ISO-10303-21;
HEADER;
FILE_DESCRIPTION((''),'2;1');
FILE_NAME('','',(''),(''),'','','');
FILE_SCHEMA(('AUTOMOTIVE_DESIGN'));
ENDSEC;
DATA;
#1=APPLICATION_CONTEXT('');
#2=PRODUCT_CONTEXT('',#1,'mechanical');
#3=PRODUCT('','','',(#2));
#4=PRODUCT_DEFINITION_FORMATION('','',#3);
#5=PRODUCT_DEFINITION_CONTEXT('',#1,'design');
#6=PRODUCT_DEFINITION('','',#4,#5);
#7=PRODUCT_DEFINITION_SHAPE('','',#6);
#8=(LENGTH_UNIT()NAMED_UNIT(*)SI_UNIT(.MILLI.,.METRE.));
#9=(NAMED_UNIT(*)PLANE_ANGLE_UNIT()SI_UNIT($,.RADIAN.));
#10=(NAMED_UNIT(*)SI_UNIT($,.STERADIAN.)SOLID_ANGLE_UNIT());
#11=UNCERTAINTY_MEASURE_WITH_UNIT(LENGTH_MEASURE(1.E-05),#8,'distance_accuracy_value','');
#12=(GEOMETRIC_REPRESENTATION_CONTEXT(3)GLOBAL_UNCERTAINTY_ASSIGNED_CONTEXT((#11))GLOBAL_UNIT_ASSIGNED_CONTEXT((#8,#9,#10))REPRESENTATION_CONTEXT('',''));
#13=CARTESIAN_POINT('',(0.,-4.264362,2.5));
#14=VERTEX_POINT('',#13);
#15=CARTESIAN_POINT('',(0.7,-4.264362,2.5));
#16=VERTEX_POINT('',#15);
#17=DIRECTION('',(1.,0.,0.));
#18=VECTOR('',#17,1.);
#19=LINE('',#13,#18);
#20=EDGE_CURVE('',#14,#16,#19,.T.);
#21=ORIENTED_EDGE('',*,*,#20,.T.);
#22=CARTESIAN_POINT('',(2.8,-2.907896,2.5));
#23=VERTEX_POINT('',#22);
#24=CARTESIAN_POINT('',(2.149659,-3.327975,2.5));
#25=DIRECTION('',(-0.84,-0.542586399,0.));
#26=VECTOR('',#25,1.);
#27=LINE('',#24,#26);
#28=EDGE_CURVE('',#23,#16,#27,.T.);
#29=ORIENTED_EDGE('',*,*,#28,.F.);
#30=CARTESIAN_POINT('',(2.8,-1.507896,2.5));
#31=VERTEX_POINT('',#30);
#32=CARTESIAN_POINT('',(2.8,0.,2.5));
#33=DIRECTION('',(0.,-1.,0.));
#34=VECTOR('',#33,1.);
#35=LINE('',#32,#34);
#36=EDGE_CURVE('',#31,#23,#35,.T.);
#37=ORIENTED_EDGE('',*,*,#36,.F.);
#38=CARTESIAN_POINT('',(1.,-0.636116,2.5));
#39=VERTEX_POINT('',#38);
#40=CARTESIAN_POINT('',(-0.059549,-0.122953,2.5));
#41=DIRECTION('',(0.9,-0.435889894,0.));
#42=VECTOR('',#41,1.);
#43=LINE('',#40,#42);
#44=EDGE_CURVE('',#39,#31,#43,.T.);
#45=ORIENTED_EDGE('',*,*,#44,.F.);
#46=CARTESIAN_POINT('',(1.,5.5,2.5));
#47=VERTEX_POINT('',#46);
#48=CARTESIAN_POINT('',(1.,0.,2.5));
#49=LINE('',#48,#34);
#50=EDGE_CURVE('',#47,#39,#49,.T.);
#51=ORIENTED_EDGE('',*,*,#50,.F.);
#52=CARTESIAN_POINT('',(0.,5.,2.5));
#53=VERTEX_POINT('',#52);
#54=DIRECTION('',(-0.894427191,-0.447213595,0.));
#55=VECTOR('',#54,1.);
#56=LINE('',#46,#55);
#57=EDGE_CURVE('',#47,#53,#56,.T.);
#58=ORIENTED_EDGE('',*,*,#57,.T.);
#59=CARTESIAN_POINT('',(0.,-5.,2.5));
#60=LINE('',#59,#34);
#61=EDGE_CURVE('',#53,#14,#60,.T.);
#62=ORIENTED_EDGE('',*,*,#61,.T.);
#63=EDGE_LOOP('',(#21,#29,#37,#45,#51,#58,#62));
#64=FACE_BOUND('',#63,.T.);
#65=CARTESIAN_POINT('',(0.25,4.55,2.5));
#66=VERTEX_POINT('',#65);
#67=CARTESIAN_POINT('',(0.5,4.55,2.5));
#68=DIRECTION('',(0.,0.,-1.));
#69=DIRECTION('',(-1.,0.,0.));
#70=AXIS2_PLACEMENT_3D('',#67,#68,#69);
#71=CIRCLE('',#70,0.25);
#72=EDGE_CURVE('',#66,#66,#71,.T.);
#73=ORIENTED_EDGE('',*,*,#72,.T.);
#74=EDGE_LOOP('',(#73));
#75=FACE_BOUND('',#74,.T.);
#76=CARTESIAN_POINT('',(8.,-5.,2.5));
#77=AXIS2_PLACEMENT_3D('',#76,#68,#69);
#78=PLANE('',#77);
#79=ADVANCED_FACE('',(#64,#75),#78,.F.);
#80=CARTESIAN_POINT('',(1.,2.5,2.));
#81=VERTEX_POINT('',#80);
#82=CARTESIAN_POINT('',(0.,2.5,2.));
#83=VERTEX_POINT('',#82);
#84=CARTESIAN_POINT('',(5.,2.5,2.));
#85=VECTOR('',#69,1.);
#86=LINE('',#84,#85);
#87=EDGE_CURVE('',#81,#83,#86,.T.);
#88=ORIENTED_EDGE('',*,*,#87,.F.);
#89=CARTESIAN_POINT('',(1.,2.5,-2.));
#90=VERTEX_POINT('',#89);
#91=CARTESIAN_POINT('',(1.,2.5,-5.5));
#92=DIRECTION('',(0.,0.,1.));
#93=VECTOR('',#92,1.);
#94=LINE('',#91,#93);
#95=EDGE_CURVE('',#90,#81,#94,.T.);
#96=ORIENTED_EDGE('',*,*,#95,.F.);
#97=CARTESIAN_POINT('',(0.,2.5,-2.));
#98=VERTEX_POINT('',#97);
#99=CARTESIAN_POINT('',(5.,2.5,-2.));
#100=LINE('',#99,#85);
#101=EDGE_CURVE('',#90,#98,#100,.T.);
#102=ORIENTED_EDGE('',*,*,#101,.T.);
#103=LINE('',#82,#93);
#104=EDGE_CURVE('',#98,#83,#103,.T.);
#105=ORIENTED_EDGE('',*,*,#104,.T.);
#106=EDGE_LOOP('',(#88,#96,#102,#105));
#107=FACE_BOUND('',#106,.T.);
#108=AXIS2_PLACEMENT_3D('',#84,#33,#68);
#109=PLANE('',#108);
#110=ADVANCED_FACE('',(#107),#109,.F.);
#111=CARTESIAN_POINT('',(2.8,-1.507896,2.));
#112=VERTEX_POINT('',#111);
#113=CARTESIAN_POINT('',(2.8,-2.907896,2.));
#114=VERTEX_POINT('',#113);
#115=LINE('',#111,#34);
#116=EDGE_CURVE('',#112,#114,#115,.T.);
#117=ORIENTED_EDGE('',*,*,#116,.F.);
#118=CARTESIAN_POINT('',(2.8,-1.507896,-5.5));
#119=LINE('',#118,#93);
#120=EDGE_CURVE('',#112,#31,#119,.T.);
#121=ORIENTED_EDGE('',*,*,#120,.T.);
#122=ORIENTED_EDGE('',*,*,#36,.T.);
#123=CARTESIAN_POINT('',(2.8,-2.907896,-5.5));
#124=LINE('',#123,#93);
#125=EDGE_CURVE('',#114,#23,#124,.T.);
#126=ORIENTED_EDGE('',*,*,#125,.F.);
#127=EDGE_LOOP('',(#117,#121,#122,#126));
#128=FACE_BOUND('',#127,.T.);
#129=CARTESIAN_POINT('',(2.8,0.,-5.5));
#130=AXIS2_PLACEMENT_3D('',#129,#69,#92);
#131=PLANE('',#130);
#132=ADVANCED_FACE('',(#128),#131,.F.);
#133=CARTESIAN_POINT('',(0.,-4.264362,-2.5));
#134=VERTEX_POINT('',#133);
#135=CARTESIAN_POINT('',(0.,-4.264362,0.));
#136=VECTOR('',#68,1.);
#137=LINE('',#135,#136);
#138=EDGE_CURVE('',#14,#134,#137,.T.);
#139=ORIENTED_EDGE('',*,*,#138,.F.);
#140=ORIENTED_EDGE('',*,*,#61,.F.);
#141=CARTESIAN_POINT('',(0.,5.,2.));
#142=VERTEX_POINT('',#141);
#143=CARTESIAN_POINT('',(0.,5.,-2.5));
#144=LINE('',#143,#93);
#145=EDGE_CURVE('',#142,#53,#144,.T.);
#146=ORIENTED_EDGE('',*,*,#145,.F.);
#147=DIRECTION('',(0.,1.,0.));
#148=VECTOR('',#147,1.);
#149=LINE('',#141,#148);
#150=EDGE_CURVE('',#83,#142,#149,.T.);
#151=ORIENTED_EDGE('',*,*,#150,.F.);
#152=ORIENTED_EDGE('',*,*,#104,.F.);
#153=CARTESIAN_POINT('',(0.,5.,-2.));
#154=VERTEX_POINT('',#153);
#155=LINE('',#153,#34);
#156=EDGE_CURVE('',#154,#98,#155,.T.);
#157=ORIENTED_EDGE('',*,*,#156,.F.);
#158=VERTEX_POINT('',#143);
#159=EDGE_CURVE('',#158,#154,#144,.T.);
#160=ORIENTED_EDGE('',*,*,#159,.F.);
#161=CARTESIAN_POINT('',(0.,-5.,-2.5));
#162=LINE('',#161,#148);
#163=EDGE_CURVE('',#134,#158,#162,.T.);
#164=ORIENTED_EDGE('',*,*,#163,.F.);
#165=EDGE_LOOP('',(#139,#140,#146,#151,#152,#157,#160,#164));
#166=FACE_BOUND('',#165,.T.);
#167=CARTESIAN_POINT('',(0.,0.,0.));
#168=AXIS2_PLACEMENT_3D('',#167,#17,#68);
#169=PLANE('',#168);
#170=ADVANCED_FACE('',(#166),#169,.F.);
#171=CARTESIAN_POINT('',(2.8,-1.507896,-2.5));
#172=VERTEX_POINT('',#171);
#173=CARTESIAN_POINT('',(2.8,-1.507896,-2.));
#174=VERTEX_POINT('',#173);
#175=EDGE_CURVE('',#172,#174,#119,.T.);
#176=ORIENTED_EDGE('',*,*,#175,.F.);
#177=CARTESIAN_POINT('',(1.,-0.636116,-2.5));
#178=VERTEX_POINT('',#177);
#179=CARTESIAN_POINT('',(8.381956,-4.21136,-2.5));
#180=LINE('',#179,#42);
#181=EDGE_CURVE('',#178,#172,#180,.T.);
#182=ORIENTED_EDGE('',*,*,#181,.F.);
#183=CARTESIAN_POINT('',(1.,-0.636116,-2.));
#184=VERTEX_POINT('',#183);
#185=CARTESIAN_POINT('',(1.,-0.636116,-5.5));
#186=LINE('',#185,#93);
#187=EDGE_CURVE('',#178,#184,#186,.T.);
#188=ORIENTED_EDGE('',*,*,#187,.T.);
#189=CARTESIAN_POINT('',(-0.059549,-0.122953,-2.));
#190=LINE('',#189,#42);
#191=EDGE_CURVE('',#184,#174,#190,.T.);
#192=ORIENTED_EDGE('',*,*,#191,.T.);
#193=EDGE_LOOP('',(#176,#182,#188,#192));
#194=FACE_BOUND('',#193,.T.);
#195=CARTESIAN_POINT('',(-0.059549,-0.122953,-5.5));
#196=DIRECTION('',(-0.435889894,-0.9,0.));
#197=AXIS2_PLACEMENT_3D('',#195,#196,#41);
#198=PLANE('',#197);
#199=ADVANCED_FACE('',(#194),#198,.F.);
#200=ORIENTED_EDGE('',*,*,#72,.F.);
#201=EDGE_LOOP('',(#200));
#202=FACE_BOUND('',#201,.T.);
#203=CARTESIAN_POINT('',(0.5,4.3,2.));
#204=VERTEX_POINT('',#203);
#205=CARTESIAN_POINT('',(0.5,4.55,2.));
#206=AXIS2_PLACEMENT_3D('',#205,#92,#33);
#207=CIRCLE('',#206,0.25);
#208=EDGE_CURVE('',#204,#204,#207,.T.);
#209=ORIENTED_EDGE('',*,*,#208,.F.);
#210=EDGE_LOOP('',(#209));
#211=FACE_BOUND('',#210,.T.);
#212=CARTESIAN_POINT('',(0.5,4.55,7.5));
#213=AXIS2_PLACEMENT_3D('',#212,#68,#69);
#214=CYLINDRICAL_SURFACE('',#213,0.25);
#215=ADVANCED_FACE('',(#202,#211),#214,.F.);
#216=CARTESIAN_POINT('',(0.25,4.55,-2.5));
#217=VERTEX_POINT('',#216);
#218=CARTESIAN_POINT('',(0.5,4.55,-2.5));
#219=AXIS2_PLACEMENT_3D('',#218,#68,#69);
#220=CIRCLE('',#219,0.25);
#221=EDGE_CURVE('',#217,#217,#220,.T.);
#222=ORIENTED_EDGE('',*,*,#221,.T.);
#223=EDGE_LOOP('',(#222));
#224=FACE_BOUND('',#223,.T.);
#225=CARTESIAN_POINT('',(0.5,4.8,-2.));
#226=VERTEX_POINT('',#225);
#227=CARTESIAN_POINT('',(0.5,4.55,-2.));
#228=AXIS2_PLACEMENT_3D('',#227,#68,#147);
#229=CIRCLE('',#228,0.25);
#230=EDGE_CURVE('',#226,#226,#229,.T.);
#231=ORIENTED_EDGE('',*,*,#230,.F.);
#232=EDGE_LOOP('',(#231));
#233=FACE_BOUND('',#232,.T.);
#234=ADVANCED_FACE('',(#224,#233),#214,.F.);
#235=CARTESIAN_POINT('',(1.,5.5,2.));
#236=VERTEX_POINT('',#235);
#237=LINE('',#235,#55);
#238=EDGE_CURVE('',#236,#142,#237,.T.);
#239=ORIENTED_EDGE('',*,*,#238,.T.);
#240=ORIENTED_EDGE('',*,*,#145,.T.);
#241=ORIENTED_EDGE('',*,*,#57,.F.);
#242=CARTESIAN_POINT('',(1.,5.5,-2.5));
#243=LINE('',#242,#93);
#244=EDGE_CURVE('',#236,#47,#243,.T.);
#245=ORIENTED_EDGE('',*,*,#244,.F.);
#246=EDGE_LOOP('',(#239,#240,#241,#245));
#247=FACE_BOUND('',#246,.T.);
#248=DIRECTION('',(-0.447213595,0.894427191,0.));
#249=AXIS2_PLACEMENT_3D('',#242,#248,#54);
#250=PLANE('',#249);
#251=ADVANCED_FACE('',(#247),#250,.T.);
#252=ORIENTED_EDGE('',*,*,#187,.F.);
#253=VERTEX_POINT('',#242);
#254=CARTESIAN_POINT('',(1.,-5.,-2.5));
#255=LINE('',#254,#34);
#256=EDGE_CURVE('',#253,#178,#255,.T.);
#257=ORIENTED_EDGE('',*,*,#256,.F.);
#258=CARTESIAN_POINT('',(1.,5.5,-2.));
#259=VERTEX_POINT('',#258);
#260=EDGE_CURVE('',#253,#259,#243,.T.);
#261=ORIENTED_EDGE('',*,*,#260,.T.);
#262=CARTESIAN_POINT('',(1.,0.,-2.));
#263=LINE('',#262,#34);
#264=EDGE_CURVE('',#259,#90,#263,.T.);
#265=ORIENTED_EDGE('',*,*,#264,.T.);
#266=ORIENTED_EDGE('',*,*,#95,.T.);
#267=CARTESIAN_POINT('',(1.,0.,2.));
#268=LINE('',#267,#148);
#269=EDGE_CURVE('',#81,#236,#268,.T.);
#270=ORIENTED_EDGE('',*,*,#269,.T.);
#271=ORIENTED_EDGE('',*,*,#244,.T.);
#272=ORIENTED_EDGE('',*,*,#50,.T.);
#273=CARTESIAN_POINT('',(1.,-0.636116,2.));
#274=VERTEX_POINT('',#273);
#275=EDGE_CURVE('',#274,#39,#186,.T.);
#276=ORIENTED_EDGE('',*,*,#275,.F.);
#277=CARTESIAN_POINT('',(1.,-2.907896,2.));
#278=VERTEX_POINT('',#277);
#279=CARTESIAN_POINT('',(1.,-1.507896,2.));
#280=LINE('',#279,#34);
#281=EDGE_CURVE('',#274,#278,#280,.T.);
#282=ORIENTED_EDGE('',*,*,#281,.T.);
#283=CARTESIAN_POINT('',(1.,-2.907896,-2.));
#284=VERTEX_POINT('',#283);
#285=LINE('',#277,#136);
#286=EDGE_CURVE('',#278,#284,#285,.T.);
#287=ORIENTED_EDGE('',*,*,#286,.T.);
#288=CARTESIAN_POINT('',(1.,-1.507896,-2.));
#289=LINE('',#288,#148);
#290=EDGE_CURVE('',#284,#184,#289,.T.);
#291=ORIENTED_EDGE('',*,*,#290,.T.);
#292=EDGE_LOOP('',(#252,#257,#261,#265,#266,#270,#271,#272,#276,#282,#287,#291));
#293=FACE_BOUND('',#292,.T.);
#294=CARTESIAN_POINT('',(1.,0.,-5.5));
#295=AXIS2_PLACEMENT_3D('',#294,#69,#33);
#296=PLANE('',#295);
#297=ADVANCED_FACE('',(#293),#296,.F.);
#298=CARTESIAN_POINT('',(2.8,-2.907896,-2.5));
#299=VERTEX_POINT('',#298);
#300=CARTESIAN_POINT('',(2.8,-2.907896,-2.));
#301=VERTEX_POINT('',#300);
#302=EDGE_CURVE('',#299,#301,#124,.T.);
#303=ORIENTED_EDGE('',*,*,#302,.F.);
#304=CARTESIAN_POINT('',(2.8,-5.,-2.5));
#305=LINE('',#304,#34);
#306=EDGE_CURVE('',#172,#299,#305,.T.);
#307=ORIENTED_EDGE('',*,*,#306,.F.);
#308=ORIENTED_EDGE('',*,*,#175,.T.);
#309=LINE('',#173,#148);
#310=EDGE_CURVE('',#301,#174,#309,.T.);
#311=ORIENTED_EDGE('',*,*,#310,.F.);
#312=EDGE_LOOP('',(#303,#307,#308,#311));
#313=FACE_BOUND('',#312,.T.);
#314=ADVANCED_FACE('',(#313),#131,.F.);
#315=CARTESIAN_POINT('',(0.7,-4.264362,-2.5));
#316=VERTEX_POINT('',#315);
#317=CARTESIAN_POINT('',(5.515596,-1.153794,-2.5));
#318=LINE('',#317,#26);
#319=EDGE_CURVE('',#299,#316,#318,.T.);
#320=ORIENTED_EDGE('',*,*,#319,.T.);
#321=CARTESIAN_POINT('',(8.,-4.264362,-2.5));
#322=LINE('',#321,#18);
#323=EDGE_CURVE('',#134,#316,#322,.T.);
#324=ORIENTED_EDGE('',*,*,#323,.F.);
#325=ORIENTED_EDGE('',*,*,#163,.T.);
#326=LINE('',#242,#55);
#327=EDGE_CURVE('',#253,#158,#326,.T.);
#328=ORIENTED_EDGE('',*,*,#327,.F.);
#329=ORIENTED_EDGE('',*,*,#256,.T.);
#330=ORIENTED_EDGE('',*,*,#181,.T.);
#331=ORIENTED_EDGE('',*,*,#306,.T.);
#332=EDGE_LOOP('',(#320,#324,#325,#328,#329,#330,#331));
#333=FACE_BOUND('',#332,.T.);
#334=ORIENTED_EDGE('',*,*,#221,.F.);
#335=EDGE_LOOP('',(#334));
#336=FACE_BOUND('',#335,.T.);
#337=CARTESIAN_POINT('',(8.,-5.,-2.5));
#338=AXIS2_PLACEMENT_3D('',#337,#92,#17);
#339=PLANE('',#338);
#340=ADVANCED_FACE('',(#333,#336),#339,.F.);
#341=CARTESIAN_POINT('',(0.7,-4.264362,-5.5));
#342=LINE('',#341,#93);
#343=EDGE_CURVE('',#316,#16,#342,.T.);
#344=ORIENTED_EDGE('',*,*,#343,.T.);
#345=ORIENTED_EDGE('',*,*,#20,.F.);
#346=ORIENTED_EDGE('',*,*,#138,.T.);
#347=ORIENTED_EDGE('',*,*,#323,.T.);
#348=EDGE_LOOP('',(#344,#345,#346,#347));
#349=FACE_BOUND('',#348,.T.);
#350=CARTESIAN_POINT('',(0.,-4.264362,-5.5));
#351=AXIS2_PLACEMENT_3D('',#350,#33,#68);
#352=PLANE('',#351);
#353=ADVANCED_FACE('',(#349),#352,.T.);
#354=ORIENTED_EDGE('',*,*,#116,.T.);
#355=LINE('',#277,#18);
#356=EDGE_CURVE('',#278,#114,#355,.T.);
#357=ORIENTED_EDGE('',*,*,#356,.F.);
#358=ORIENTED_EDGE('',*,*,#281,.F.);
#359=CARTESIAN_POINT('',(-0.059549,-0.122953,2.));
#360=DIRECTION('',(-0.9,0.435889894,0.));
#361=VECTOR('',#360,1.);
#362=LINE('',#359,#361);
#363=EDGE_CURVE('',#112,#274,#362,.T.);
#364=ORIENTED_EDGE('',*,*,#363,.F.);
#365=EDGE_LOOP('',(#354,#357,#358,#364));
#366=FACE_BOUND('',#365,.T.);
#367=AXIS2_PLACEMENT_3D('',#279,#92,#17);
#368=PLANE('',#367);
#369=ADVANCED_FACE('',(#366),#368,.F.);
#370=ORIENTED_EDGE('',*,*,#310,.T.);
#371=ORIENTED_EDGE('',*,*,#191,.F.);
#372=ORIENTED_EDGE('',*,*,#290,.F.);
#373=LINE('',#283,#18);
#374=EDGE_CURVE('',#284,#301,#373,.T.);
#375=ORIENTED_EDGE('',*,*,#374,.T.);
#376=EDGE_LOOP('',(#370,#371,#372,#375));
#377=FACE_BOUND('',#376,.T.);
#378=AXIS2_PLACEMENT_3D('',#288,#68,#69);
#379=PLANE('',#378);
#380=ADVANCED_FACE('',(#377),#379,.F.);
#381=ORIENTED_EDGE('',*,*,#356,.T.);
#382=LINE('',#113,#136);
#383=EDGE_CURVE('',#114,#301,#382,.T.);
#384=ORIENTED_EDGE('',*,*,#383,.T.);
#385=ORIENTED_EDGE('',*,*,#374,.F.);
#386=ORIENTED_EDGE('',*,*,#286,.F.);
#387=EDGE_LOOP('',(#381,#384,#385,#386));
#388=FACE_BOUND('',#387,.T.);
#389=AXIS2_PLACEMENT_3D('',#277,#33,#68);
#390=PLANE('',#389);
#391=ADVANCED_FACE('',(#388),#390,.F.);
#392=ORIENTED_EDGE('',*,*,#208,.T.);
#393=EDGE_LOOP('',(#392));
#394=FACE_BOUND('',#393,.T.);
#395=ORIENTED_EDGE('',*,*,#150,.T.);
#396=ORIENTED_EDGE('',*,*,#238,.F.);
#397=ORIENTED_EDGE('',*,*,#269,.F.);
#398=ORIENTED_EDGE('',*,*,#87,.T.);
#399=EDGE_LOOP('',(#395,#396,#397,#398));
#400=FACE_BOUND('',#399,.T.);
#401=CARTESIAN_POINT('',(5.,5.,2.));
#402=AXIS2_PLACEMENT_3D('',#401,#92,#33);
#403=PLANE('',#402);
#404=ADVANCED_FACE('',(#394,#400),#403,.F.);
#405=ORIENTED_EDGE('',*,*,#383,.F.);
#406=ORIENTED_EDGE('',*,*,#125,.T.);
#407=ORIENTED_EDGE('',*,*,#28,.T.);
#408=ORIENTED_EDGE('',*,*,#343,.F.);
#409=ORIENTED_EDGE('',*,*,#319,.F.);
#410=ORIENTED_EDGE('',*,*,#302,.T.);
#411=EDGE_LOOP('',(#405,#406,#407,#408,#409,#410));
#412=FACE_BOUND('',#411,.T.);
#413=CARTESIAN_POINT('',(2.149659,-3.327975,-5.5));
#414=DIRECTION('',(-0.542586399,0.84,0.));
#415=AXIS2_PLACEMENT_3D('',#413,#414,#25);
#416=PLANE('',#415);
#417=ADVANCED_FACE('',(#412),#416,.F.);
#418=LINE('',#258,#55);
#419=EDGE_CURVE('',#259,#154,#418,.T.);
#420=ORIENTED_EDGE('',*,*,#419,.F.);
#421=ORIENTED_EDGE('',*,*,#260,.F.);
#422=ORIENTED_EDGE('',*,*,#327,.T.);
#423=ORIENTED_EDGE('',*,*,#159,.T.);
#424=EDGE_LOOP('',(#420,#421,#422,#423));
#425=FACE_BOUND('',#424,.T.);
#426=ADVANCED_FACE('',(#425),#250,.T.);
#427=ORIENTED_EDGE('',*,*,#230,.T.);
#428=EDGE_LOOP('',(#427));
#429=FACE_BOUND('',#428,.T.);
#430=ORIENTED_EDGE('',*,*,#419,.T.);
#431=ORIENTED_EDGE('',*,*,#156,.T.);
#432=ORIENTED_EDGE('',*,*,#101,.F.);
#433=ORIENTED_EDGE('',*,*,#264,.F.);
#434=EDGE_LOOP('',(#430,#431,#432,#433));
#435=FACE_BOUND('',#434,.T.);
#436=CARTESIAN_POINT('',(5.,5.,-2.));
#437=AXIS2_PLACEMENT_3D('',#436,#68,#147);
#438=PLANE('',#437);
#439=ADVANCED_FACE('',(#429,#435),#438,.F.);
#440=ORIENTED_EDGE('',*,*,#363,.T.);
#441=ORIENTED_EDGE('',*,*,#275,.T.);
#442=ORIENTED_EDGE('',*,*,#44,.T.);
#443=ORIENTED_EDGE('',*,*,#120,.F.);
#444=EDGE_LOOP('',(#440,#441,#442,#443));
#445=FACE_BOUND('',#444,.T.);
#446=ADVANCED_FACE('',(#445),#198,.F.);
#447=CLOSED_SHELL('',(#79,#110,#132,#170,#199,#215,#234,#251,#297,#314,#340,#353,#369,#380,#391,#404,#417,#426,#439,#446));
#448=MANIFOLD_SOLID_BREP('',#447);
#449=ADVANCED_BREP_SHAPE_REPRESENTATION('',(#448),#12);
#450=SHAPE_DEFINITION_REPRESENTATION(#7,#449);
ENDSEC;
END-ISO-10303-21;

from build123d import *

# Parameters (mm, degrees)
SKETCH_1_W          = 5
SKETCH_1_H          = 10
EXTRUDE_1_DEPTH     = 8
CUT_EXTRUDE_1_DEPTH = 8
EXTRUDE_2_DEPTH     = 5
SKETCH_5_W          = 4
SKETCH_5_H          = 2.5
CUT_EXTRUDE_2_DEPTH = 5
SKETCH_4_W          = 1.118033989
SKETCH_4_H          = 4
CUT_EXTRUDE_3_DEPTH = 5
SKETCH_8_W          = 4
SKETCH_8_H          = 1.4
CUT_EXTRUDE_4_DEPTH = 1.8
SKETCH_10_W         = 1.8
SKETCH_10_H         = 4
CUT_EXTRUDE_5_DEPTH = 2
SKETCH_11_R         = 0.25
CUT_EXTRUDE_6_DEPTH = 10


with BuildPart() as part:
    # 草图1 → 凸台-拉伸1 (new body)
    with BuildSketch(Plane(origin=(0, 0, 0), x_dir=(0, 0, -1), z_dir=(1, 0, 0))):
        Rectangle(SKETCH_1_W, SKETCH_1_H)
    extrude(amount=EXTRUDE_1_DEPTH)

    # 草图2 → 切除-拉伸1 (cut)
    with BuildSketch(Plane.XY.offset(2.5)):
        Polygon((8, 5), (1, 5), (1, -0.636116149), (2.8, -1.507895938), (2.8, -2.907895938), (0.7, -4.264361935), (0, -4.264361935), (0, -5), (8, -5), align=None)
    extrude(amount=-CUT_EXTRUDE_1_DEPTH, mode=Mode.SUBTRACT)

    # 草图3 → 凸台-拉伸2 (add)
    with BuildSketch(Plane.XY.offset(2.5)):
        Polygon((1, 5), (1, 5.5), (0, 5), align=None)
    extrude(amount=-EXTRUDE_2_DEPTH)

    # 草图5 → 切除-拉伸2 (cut)
    with BuildSketch(Plane.ZY):
        with Locations((0, 3.75)):
            Rectangle(SKETCH_5_W, SKETCH_5_H)
    extrude(amount=-CUT_EXTRUDE_2_DEPTH, mode=Mode.SUBTRACT)

    # 草图4 → 切除-拉伸3 (cut)
    with BuildSketch(Plane(origin=(-2, 4, 0), x_dir=(0.8944271909999156, 0.44721359549995865, 0), z_dir=(-0.44721359549995865, 0.8944271909999156, 0))):
        with Locations((2.795084972, 0)):
            Rectangle(SKETCH_4_W, SKETCH_4_H)
    extrude(amount=-CUT_EXTRUDE_3_DEPTH, mode=Mode.SUBTRACT)

    # 草图8 → 切除-拉伸4 (cut)
    with BuildSketch(Plane(origin=(2.8, 0, 0), x_dir=(0, 0, -1), z_dir=(1, 0, 0))):
        with Locations((0, -2.207895938)):
            Rectangle(SKETCH_8_W, SKETCH_8_H)
    extrude(amount=-CUT_EXTRUDE_4_DEPTH, mode=Mode.SUBTRACT)

    # 草图10 → 切除-拉伸5 (cut)
    with BuildSketch(Plane.XZ.offset(1.507895938)):
        with Locations((1.9, 0)):
            Rectangle(SKETCH_10_W, SKETCH_10_H)
    extrude(amount=-CUT_EXTRUDE_5_DEPTH, mode=Mode.SUBTRACT)

    # 草图11 → 切除-拉伸6 (cut)
    with BuildSketch(Plane(origin=(0, 0, -2.5), x_dir=(-1, 0, 0), z_dir=(0, 0, -1))):
        with Locations((-0.5, 4.55)):
            Circle(SKETCH_11_R)
    extrude(amount=-CUT_EXTRUDE_6_DEPTH, mode=Mode.SUBTRACT)


solid = part.part
